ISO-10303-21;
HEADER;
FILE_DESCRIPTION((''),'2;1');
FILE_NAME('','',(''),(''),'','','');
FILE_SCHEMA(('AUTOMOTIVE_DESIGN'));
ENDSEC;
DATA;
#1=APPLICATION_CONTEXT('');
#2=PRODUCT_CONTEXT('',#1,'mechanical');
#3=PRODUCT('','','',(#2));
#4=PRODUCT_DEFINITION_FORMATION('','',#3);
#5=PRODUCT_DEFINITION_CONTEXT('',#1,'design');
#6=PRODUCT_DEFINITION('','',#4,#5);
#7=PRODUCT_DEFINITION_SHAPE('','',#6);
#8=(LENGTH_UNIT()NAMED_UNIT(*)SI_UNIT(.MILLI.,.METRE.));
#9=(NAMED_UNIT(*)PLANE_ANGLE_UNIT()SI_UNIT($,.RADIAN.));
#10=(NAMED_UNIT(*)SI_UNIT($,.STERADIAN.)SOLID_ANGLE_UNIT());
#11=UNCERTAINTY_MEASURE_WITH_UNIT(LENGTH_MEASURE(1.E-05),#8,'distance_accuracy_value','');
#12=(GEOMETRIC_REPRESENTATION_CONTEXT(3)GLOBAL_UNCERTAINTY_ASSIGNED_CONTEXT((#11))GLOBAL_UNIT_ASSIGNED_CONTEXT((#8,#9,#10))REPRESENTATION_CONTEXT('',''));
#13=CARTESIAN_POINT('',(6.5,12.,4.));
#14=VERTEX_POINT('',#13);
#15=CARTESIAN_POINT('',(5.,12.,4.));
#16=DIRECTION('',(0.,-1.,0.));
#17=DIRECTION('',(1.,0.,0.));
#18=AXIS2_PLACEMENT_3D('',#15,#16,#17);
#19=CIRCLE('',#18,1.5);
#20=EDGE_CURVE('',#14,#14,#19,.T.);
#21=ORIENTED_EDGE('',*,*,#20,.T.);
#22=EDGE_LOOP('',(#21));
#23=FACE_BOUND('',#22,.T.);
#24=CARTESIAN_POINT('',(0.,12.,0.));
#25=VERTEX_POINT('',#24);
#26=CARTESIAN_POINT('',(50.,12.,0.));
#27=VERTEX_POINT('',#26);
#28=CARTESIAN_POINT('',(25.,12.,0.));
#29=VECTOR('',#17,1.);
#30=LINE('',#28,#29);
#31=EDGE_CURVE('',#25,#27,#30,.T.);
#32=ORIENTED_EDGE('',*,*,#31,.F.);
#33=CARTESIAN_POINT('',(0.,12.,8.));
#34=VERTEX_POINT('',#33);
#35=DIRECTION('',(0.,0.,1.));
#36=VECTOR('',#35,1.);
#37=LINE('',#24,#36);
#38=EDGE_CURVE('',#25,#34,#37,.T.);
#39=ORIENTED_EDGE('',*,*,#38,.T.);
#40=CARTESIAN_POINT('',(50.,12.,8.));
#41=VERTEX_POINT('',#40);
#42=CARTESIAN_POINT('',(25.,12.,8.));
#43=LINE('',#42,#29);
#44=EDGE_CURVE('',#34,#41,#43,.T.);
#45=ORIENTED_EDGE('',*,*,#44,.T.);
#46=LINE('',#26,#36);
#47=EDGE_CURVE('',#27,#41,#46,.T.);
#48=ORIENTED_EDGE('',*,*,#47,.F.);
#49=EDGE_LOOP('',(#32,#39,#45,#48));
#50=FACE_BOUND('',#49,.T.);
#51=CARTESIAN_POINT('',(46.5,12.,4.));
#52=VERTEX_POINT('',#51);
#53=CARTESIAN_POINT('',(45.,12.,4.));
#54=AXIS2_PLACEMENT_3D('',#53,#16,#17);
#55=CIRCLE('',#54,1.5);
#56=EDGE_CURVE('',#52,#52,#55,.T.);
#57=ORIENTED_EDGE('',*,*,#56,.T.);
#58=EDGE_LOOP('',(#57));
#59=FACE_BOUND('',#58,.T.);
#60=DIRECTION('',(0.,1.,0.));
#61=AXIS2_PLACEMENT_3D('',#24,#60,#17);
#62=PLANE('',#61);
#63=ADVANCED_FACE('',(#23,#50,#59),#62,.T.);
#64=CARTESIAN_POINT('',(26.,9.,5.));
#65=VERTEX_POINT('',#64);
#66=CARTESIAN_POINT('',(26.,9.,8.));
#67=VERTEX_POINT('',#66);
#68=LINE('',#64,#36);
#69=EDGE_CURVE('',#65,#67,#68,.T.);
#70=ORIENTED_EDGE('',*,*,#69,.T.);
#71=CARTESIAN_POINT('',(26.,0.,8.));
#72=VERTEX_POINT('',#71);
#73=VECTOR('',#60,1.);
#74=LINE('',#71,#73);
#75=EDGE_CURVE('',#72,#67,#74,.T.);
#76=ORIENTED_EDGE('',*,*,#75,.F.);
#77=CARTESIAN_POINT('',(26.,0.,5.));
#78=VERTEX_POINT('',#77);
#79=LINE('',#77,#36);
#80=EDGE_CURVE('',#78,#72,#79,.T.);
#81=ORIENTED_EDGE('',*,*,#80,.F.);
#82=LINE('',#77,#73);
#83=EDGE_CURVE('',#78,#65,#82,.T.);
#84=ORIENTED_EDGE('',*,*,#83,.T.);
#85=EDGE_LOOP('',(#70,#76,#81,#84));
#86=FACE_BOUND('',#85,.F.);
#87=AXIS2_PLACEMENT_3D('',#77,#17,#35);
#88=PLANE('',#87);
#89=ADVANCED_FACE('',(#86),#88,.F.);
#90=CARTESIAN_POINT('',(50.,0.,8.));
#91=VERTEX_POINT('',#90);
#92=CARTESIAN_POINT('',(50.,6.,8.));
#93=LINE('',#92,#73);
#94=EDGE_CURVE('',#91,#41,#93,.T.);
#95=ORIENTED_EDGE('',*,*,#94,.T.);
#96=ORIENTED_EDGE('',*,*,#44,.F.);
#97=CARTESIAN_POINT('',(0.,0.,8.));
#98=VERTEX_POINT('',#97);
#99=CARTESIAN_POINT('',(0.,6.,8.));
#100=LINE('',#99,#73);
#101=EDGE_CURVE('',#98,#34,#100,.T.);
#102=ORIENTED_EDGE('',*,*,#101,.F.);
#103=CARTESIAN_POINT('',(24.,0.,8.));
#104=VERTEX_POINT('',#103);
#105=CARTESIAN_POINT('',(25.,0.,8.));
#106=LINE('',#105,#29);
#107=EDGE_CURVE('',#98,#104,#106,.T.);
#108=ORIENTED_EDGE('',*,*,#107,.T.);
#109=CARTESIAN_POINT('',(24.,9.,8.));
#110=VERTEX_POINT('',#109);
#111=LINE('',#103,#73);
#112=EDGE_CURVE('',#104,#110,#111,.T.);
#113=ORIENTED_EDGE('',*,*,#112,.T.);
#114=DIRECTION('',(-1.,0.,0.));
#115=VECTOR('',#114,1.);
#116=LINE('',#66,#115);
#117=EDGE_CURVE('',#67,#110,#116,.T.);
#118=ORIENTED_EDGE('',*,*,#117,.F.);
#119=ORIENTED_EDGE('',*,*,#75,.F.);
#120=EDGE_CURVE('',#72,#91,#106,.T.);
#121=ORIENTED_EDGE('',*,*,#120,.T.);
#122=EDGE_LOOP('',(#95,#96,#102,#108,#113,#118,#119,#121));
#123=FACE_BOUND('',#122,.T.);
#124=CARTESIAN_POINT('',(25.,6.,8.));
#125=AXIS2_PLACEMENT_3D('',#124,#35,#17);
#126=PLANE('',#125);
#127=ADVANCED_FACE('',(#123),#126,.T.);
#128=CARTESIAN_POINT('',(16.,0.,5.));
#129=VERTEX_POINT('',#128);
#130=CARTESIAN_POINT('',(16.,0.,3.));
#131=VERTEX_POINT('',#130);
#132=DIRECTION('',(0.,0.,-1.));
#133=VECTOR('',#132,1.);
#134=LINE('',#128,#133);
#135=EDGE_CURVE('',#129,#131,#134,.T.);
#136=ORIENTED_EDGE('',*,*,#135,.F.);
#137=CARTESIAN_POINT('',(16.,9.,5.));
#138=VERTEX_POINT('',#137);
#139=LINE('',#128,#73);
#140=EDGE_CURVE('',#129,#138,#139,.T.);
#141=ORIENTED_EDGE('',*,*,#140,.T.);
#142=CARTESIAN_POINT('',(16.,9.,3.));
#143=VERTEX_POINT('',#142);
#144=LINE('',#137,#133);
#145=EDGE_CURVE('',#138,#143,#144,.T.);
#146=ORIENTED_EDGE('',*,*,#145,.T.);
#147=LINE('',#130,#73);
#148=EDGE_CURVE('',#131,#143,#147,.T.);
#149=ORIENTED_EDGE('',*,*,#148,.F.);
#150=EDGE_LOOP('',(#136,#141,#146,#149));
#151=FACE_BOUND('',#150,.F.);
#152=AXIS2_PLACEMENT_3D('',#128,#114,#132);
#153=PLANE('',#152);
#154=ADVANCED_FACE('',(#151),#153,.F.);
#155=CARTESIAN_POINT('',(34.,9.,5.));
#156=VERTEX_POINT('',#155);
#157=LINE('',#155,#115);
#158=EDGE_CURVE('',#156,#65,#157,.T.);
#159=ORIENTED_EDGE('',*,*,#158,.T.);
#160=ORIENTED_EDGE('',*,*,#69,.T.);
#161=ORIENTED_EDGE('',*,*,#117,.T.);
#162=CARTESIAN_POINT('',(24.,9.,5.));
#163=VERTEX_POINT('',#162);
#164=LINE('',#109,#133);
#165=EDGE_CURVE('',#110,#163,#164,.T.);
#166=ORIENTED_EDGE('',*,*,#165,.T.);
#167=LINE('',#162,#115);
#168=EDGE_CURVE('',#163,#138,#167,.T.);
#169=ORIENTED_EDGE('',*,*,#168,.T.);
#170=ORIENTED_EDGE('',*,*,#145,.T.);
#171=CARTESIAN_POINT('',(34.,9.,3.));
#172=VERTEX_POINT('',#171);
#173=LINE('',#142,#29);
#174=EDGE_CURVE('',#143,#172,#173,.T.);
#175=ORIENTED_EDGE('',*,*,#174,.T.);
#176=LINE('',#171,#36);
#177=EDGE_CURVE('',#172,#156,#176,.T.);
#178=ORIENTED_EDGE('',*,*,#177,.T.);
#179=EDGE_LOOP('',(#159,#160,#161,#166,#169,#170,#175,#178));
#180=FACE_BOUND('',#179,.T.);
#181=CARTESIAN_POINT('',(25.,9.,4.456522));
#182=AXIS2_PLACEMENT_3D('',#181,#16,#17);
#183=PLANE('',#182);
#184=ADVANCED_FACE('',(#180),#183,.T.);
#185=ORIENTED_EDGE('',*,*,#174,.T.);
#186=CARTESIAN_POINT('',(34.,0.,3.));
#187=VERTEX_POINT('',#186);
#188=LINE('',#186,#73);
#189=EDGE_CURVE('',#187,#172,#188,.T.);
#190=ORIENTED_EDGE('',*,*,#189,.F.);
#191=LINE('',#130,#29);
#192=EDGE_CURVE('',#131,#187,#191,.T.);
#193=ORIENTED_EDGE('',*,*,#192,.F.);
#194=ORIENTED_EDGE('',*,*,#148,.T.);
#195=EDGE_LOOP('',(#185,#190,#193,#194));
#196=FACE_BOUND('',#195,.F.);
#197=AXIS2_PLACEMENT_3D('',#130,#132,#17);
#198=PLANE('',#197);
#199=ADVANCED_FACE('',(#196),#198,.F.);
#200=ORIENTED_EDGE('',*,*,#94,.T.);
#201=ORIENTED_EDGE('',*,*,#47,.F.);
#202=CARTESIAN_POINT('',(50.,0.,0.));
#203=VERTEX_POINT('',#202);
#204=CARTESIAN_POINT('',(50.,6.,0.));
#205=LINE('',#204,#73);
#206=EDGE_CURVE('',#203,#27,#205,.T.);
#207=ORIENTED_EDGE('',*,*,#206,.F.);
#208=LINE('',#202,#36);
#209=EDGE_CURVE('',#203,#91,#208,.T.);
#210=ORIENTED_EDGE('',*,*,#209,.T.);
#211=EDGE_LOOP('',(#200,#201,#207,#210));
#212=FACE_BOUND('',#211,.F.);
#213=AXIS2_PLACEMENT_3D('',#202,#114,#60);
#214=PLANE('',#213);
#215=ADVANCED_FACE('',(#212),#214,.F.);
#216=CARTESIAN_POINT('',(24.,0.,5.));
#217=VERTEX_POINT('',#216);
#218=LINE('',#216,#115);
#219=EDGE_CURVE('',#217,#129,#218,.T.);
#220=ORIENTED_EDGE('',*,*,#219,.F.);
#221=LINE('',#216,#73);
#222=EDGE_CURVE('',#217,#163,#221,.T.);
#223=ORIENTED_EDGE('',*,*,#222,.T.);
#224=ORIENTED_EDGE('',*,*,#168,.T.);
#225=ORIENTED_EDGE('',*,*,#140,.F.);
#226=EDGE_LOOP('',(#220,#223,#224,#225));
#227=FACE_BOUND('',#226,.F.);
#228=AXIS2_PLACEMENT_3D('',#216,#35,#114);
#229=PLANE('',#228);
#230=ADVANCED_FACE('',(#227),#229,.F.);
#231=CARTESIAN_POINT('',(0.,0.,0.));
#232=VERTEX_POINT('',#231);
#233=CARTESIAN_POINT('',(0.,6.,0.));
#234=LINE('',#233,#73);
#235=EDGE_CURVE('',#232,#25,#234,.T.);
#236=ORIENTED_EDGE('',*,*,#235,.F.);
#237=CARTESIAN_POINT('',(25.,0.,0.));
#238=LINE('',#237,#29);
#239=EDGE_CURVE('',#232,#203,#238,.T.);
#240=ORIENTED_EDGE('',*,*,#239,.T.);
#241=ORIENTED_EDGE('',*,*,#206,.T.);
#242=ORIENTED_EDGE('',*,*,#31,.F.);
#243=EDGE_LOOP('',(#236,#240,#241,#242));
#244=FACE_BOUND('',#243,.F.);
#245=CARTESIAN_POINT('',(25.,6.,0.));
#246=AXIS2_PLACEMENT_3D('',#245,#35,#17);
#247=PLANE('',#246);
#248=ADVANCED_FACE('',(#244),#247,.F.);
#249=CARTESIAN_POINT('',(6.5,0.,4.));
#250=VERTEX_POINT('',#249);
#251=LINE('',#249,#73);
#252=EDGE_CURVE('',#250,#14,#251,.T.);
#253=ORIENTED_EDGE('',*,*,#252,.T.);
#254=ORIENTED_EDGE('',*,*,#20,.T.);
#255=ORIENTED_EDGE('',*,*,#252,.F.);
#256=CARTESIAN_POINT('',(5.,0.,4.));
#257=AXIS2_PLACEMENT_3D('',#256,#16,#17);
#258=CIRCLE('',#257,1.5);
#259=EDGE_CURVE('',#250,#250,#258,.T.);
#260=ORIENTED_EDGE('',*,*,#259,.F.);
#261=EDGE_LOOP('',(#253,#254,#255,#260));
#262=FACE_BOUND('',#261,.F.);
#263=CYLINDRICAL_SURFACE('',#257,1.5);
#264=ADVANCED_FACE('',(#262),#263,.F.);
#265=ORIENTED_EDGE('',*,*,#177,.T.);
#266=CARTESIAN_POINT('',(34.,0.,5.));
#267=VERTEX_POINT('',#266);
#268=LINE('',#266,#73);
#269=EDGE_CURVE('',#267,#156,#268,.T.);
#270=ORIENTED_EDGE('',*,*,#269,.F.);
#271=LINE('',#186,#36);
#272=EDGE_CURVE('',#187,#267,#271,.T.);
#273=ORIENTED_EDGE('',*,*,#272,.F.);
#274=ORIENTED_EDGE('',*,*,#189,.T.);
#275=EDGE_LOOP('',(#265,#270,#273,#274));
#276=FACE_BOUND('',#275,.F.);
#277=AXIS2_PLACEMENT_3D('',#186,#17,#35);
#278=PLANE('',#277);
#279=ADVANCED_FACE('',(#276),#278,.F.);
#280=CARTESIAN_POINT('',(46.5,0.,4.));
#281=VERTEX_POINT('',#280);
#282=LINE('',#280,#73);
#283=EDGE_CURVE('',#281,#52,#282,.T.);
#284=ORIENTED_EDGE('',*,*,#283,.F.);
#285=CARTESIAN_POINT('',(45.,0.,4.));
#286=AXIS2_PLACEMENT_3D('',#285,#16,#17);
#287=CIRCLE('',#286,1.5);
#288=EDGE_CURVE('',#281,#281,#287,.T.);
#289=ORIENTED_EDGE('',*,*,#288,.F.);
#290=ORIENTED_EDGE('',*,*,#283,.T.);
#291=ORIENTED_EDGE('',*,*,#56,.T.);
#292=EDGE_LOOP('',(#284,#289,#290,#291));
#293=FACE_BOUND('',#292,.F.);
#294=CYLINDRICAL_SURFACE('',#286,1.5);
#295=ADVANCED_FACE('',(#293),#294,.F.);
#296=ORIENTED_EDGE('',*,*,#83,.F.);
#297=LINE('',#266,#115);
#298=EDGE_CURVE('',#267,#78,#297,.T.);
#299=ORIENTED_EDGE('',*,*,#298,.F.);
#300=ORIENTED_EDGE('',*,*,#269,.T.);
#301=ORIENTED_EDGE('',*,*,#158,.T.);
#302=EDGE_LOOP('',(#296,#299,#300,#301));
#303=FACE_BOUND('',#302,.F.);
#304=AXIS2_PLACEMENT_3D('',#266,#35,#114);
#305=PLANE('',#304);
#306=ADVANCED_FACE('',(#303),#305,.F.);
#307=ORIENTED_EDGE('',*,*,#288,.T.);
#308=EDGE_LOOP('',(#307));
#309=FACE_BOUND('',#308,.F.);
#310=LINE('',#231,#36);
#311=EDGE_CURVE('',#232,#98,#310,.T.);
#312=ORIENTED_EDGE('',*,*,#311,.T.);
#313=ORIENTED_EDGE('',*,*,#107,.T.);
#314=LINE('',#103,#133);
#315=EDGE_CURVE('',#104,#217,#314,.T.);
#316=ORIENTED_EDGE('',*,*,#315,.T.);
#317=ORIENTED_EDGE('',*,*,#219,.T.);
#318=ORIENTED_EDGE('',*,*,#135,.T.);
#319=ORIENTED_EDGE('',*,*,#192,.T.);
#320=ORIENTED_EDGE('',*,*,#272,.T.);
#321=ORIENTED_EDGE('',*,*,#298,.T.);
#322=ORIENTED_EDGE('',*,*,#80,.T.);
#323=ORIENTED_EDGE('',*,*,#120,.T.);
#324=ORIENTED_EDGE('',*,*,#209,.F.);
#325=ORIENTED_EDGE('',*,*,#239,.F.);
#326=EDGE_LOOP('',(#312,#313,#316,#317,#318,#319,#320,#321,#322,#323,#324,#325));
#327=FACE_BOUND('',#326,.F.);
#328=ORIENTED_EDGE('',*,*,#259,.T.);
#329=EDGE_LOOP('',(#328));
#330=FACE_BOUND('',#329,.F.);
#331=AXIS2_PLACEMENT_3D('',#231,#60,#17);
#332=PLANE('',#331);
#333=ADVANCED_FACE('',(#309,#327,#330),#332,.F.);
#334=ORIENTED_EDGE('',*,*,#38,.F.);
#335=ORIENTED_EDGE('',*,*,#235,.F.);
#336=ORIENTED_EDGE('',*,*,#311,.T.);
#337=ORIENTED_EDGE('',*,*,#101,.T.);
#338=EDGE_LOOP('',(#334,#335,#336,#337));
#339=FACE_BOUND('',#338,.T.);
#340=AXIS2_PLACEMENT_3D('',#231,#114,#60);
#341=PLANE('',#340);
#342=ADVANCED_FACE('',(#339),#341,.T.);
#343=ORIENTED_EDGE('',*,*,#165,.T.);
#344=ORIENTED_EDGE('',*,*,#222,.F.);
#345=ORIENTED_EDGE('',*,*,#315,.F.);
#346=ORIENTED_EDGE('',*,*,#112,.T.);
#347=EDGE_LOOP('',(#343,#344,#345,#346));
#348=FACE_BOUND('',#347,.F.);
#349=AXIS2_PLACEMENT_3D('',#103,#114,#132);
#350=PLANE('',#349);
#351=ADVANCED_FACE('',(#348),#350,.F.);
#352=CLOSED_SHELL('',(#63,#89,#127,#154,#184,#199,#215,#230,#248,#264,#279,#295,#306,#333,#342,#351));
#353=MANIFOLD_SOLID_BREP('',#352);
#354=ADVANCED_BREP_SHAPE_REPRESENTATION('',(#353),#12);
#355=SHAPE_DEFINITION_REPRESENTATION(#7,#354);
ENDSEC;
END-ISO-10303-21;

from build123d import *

# Parameters (mm, degrees)
F0_W     = 50
F0_H     = 12
F1_DEPTH = 8
F2_R     = 1.5
F3_DEPTH = 12
F4_DEPTH = 9


with BuildPart() as f1:
    # F0 (on Top) → F1 (new body)
    with BuildSketch(Plane.XY):
        with Locations((25, 6)):
            Rectangle(F0_W, F0_H)
    extrude(amount=F1_DEPTH)

    # F2 (on face) → F3 (cut)
    with BuildSketch(Plane.XZ):
        with Locations((5, 4)):
            Circle(F2_R)
        with Locations((45, 4)):
            Circle(F2_R)
    extrude(amount=-F3_DEPTH, mode=Mode.SUBTRACT)

    # F2 (on face) → F4 (cut)
    with BuildSketch(Plane.XZ):
        Polygon((26, 8), (24, 8), (24, 5), (16, 5), (16, 3), (34, 3), (34, 5), (26, 5), align=None)
    extrude(amount=-F4_DEPTH, mode=Mode.SUBTRACT)


solid = f1.part
